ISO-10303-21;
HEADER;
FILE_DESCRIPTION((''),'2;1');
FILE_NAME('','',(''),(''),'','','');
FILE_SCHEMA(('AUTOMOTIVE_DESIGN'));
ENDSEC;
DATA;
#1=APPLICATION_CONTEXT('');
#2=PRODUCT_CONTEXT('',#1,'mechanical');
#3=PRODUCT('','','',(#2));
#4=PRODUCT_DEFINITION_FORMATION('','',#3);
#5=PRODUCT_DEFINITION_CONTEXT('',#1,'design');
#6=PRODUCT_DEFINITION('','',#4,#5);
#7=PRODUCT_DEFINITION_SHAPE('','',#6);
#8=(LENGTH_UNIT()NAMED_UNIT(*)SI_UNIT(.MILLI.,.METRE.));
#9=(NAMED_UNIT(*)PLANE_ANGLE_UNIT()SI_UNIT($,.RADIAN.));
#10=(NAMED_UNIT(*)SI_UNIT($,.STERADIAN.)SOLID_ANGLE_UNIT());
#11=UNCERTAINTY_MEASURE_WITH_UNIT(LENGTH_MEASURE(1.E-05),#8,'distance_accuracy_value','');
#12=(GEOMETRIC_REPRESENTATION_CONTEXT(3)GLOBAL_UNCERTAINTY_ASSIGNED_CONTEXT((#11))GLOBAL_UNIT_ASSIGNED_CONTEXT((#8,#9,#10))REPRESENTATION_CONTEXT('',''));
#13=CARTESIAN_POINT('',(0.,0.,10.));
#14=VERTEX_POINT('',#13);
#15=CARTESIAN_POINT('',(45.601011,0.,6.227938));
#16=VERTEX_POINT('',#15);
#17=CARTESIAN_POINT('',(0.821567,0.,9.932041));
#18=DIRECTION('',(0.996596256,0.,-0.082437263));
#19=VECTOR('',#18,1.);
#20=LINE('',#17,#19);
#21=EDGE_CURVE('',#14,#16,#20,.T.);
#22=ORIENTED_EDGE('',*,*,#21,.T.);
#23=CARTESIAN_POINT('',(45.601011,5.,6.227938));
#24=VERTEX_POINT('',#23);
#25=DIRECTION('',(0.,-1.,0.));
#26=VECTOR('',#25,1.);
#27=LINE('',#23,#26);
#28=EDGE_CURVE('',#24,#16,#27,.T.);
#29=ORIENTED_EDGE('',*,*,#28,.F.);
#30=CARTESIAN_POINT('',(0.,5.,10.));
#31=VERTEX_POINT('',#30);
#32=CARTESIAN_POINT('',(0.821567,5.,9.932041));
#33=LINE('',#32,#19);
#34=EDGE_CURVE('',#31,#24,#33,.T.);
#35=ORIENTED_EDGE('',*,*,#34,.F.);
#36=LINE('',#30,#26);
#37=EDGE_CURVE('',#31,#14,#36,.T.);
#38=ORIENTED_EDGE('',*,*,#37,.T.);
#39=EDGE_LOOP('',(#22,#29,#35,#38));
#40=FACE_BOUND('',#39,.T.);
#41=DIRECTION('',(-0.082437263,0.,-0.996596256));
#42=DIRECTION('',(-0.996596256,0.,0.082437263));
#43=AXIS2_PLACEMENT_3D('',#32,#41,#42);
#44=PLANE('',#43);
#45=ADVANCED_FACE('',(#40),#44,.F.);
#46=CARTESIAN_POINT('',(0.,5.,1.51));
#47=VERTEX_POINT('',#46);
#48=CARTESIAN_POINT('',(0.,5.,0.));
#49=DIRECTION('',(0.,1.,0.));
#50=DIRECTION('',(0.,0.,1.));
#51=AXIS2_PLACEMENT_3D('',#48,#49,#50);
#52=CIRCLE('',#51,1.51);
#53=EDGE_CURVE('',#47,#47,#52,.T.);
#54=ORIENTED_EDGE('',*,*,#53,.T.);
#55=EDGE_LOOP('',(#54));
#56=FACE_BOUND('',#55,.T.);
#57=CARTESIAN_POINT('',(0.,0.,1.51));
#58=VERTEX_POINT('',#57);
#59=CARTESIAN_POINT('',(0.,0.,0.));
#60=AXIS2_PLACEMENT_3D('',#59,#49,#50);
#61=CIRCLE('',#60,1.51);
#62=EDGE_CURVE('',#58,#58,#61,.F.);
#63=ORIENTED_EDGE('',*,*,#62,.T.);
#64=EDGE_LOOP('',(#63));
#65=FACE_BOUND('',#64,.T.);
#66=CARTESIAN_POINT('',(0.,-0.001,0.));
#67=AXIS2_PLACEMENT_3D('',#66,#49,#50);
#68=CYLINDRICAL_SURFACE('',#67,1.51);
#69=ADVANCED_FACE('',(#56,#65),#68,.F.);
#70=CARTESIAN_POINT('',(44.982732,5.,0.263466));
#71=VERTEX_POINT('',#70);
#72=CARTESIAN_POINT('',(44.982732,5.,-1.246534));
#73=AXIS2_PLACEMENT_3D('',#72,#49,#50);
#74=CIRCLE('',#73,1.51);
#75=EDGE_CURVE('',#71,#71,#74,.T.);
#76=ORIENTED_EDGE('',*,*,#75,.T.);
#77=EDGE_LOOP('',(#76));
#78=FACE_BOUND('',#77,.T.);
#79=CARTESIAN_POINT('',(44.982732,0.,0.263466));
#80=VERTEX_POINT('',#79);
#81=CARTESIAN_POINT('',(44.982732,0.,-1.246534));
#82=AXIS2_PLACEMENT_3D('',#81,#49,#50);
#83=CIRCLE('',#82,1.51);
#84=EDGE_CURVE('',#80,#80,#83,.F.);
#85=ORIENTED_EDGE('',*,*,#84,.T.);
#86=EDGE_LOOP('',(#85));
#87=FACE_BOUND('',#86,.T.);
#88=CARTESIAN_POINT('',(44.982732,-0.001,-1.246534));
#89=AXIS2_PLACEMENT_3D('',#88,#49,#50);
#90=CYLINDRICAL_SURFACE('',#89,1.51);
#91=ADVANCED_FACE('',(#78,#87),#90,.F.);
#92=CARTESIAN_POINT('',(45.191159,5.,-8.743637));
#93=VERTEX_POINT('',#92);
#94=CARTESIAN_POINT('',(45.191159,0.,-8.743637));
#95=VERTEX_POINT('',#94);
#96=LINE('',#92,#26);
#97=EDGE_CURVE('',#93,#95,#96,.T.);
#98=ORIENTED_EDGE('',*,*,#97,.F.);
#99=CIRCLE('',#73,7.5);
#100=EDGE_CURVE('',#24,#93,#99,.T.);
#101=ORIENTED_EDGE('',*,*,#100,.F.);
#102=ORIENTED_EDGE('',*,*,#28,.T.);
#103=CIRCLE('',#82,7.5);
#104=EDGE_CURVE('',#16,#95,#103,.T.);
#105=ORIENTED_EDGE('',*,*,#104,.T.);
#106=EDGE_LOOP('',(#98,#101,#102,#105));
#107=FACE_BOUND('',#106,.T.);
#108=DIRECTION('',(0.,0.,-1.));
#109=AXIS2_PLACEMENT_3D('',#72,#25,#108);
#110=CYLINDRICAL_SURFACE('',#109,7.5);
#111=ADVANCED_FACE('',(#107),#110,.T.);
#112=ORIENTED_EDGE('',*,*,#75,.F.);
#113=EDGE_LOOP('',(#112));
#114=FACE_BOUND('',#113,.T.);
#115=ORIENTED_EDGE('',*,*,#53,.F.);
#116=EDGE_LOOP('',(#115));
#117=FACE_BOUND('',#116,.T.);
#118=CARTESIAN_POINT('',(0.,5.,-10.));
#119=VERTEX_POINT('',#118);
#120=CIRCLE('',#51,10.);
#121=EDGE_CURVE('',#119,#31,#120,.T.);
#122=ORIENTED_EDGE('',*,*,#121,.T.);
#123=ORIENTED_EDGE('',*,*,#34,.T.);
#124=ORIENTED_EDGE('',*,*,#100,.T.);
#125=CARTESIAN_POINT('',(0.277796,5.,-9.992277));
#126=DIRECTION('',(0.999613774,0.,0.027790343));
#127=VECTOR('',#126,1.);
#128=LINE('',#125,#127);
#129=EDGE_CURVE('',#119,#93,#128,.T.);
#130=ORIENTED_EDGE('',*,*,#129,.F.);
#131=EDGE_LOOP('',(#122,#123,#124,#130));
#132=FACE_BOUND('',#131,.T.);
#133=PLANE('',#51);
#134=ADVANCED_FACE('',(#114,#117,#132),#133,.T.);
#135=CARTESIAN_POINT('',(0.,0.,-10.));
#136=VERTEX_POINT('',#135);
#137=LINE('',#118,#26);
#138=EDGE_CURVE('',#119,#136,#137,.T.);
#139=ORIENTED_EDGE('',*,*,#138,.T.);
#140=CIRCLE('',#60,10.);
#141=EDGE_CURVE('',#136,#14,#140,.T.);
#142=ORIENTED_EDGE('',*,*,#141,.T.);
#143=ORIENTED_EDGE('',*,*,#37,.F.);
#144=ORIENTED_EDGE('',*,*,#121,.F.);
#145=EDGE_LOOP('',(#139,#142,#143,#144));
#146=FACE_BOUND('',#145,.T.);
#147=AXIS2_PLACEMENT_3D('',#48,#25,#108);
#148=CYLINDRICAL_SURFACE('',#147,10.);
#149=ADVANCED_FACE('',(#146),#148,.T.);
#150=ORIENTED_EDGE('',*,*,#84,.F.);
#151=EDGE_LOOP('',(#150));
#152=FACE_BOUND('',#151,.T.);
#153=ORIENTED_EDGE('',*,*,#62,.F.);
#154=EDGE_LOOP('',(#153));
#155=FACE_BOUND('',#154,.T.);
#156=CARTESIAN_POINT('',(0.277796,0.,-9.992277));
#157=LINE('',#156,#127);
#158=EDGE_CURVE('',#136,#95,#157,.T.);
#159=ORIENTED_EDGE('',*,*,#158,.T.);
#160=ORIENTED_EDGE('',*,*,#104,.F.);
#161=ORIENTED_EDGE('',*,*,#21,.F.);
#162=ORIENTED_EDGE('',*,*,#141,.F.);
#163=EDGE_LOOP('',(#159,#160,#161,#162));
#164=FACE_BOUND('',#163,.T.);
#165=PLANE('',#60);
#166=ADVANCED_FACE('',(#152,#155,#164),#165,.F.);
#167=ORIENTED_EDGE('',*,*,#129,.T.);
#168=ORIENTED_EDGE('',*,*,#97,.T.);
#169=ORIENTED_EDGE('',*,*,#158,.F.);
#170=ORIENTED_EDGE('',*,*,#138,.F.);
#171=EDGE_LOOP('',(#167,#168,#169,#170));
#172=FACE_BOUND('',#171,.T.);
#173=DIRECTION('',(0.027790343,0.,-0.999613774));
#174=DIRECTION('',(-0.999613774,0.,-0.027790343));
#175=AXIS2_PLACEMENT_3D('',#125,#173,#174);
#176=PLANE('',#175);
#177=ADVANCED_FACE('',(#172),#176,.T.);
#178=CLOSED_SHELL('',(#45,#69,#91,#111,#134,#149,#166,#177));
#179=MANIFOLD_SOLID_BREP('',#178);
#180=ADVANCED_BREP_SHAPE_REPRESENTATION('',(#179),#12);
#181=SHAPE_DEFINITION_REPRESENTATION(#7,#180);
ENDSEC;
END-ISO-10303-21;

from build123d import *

# Parameters (mm, degrees)
BOSS_EXTRUDE1_DEPTH = 5
CUT_EXTRUDE1_REACH  = 55.66
SKETCH2_R           = 1.51


with BuildPart() as part:
    # Sketch1 → Boss-Extrude1 (new body)
    with BuildSketch(Plane(origin=(0, 0, 0), x_dir=(1, 0, 0), z_dir=(0, 1, 0))):
        with BuildLine():
            ThreePointArc((0, 10), (-10, 0), (0, -10))
            Line((0, -10), (45.601011206, -6.227938292))
            ThreePointArc((45.601011206, -6.227938292), (52.479923025, 1.451771759), (45.191159304, 8.743636932))
            Line((45.191159304, 8.743636932), (0, 10))
        make_face()
    extrude(amount=BOSS_EXTRUDE1_DEPTH)

    # Sketch2 → Cut-Extrude1 (cut, up to next)
    with BuildSketch(Plane(origin=(0, 5, 0), x_dir=(1, 0, 0), z_dir=(0, 1, 0)), mode=Mode.PRIVATE) as cut_extrude1_sk1:
        with Locations(Location((0, 0, 0), (0, 0, 270))):
            Circle(SKETCH2_R)
    cut_extrude1_tool1 = extrude(cut_extrude1_sk1.sketch, amount=-CUT_EXTRUDE1_REACH, mode=Mode.PRIVATE) & part.part
    # Sketch2 → Cut-Extrude1 (cut, up to next)
    with BuildSketch(Plane(origin=(0, 5, 0), x_dir=(1, 0, 0), z_dir=(0, 1, 0)), mode=Mode.PRIVATE) as cut_extrude1_sk2:
        with Locations(Location((44.98273173, 1.246533628, 0), (0, 0, 270))):
            Circle(SKETCH2_R)
    cut_extrude1_tool2 = extrude(cut_extrude1_sk2.sketch, amount=-CUT_EXTRUDE1_REACH, mode=Mode.PRIVATE) & part.part
    add(cut_extrude1_tool1.solids().sort_by_distance((0, 5, 0))[0], mode=Mode.SUBTRACT)
    add(cut_extrude1_tool2.solids().sort_by_distance((44.982732, 5, -1.246534))[0], mode=Mode.SUBTRACT)


solid = part.part
